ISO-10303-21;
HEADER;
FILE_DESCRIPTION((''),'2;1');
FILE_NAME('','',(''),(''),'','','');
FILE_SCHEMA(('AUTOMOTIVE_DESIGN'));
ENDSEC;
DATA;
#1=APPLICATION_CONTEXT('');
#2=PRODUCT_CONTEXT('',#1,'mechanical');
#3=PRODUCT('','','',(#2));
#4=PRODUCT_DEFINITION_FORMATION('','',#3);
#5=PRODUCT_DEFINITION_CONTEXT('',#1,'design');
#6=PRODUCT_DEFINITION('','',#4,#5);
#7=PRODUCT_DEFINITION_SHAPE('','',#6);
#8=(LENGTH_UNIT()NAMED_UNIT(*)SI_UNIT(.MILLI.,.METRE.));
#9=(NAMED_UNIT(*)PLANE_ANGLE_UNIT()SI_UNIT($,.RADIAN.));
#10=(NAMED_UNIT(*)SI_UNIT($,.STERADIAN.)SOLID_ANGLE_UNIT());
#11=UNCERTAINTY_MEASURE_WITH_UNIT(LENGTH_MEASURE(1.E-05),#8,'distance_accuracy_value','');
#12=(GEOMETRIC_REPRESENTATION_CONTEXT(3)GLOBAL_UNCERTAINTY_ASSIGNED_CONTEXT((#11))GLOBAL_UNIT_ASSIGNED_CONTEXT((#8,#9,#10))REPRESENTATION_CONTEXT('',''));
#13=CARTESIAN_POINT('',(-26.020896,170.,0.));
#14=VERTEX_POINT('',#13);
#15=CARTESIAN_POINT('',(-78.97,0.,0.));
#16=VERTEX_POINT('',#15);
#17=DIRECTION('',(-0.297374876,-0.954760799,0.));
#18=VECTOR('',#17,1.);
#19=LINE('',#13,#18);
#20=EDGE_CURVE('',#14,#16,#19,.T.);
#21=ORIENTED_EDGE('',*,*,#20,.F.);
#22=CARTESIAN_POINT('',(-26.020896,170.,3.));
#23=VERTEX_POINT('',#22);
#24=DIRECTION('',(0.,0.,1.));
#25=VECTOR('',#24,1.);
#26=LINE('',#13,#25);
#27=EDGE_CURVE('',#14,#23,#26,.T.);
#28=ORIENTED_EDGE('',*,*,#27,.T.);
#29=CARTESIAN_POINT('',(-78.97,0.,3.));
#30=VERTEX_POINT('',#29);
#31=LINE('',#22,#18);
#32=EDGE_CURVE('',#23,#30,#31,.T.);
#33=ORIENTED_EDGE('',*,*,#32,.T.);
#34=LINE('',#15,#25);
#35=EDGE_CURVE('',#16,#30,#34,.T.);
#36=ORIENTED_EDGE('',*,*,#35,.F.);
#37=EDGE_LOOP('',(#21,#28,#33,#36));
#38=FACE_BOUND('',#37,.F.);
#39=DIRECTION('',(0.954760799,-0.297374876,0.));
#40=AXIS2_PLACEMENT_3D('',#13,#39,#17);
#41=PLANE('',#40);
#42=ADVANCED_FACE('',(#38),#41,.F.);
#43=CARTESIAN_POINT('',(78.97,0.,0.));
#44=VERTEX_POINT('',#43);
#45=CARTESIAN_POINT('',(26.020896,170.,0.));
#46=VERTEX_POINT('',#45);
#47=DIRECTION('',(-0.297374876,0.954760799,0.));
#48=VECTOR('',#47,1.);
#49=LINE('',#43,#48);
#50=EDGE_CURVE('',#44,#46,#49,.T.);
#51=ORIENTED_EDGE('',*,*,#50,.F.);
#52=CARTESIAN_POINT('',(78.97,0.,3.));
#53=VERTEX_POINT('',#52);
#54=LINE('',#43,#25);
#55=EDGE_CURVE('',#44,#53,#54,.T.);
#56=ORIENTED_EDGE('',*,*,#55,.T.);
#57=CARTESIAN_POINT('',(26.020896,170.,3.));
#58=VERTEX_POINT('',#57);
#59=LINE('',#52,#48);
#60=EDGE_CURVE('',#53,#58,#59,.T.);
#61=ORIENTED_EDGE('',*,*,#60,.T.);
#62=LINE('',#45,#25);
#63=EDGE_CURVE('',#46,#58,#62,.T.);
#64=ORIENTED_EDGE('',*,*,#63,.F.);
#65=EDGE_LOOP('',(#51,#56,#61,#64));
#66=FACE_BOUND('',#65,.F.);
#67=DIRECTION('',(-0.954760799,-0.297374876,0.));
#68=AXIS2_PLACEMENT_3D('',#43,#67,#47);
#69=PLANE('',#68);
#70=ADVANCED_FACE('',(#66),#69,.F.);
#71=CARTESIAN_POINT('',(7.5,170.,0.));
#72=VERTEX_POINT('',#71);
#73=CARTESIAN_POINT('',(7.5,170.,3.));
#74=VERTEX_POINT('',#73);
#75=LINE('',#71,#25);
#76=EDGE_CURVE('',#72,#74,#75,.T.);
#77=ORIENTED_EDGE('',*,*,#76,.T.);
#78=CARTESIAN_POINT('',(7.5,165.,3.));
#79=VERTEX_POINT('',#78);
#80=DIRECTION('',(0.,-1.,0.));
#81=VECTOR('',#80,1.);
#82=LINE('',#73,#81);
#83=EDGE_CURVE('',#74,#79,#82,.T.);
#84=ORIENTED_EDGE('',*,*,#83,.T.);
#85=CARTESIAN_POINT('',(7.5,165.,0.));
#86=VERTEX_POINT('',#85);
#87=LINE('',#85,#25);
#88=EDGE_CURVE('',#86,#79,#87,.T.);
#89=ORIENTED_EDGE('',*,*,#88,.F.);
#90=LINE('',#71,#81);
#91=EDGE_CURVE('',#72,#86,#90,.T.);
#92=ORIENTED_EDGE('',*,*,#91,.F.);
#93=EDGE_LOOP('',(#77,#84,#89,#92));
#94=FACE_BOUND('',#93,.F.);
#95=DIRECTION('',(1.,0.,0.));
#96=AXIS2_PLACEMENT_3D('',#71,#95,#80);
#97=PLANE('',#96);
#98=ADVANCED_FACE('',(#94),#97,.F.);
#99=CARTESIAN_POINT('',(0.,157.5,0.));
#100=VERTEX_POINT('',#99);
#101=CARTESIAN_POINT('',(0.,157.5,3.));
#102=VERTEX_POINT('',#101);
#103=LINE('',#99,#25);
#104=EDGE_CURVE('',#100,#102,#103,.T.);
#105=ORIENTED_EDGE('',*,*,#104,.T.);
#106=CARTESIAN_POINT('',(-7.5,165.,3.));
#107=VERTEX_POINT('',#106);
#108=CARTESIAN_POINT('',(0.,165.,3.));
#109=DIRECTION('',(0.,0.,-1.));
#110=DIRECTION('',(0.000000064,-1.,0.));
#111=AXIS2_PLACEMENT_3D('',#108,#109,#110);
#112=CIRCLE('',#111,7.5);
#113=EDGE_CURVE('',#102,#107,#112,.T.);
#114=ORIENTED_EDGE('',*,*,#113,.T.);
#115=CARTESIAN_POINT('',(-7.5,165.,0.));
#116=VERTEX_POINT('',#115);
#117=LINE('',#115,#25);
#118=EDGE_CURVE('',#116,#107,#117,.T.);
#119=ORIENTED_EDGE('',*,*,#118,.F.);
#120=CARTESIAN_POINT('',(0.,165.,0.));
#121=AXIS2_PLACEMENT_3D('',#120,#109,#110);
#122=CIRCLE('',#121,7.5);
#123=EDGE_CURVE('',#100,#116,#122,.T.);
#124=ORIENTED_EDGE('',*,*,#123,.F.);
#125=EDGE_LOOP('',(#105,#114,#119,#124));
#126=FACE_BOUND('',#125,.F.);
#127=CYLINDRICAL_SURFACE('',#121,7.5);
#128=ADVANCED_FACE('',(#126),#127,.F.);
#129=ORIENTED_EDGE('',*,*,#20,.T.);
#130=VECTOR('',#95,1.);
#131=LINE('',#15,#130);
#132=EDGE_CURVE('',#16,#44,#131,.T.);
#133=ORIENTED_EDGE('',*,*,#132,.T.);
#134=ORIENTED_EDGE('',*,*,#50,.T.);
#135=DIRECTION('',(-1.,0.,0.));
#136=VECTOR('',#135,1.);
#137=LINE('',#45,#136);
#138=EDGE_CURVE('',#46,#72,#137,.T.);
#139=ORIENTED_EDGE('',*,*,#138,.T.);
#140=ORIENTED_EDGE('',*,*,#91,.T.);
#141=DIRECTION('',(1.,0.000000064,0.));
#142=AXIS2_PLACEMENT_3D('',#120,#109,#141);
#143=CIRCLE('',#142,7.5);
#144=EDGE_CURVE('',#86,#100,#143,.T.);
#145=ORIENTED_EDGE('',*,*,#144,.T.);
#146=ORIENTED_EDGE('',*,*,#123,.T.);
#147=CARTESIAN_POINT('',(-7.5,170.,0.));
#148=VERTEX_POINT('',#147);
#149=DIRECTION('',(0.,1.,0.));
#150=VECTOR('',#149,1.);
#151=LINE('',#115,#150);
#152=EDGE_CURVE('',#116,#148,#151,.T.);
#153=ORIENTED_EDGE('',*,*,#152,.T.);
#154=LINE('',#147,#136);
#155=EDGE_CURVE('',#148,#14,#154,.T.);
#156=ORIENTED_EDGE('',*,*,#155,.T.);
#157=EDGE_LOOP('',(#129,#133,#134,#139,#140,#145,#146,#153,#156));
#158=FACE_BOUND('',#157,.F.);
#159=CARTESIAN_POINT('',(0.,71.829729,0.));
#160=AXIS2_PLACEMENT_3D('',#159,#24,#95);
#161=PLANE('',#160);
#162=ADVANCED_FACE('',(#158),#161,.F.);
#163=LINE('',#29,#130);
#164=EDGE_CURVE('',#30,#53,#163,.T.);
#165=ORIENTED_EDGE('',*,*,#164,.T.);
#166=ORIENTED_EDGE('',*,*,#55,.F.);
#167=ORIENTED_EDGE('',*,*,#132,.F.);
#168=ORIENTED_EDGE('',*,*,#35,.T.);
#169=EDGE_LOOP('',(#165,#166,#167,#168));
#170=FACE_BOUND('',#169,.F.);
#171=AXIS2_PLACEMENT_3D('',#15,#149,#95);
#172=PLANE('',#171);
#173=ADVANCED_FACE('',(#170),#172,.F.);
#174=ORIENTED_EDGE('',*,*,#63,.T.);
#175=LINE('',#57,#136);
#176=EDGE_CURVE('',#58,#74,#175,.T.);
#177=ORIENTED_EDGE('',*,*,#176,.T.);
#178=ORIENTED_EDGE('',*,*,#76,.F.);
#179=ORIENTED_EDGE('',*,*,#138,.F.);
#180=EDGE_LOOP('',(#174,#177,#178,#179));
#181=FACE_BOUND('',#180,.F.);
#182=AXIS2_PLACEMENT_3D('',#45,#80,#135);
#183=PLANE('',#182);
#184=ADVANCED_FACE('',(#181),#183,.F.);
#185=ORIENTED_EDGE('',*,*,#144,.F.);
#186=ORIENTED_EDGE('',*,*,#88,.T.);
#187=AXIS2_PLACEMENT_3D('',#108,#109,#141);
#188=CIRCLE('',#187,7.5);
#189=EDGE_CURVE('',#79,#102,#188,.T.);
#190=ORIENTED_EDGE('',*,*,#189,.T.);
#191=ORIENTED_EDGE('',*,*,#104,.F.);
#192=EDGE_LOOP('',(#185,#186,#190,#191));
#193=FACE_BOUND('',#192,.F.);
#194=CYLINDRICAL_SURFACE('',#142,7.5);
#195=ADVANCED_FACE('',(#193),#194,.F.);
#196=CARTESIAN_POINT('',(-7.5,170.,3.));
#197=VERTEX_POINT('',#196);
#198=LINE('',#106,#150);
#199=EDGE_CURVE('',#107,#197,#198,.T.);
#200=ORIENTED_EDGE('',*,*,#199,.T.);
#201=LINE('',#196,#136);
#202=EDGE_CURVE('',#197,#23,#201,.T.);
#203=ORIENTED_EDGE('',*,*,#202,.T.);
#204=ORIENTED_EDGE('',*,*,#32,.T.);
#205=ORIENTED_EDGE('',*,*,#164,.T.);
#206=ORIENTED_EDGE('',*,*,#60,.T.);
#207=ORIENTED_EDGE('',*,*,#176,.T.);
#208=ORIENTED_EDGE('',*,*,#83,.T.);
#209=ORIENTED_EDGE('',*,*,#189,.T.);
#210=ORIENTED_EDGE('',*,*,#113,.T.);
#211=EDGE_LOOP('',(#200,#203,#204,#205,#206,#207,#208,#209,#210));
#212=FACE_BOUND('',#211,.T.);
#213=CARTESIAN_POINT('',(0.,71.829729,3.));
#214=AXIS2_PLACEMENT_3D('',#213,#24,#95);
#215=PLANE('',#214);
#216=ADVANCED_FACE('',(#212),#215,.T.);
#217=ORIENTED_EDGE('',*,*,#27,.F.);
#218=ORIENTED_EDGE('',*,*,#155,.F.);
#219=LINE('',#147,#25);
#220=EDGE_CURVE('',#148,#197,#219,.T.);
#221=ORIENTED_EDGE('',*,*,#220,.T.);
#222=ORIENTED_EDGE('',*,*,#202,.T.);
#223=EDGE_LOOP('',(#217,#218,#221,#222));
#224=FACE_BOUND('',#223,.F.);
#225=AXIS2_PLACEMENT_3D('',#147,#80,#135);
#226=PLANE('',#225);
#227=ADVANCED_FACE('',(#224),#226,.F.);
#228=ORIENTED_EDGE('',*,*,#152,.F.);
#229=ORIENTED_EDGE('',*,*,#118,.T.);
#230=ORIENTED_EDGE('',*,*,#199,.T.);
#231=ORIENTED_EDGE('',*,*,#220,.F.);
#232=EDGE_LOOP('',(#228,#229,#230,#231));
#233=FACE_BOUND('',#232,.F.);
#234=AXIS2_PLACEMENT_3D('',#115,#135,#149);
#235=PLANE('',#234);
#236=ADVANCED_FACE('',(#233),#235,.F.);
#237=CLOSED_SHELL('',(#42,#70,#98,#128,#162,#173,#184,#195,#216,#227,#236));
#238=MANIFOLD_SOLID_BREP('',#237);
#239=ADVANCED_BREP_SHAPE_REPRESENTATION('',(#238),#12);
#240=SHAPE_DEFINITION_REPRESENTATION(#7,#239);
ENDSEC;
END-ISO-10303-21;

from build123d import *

# Parameters (mm, degrees)
F1_DEPTH = 3


with BuildPart() as f1:
    # F0 (on Top) → F1 (new body)
    with BuildSketch(Plane.XY):
        with BuildLine():
            Line((-78.97, 0), (0, 0))
            Line((0, 0), (78.97, 0))
            Line((78.97, 0), (26.020896, 170))
            Line((26.020896, 170), (7.5, 170))
            Line((7.5, 170), (7.5, 165))
            ThreePointArc((7.5, 165), (5.303301, 159.696699), (0, 157.5))
            ThreePointArc((0, 157.5), (-5.303301, 159.696699), (-7.5, 165))
            Line((-7.5, 165), (-7.5, 170))
            Line((-7.5, 170), (-26.020896, 170))
            Line((-26.020896, 170), (-78.97, 0))
        make_face()
    extrude(amount=F1_DEPTH)


solid = f1.part
